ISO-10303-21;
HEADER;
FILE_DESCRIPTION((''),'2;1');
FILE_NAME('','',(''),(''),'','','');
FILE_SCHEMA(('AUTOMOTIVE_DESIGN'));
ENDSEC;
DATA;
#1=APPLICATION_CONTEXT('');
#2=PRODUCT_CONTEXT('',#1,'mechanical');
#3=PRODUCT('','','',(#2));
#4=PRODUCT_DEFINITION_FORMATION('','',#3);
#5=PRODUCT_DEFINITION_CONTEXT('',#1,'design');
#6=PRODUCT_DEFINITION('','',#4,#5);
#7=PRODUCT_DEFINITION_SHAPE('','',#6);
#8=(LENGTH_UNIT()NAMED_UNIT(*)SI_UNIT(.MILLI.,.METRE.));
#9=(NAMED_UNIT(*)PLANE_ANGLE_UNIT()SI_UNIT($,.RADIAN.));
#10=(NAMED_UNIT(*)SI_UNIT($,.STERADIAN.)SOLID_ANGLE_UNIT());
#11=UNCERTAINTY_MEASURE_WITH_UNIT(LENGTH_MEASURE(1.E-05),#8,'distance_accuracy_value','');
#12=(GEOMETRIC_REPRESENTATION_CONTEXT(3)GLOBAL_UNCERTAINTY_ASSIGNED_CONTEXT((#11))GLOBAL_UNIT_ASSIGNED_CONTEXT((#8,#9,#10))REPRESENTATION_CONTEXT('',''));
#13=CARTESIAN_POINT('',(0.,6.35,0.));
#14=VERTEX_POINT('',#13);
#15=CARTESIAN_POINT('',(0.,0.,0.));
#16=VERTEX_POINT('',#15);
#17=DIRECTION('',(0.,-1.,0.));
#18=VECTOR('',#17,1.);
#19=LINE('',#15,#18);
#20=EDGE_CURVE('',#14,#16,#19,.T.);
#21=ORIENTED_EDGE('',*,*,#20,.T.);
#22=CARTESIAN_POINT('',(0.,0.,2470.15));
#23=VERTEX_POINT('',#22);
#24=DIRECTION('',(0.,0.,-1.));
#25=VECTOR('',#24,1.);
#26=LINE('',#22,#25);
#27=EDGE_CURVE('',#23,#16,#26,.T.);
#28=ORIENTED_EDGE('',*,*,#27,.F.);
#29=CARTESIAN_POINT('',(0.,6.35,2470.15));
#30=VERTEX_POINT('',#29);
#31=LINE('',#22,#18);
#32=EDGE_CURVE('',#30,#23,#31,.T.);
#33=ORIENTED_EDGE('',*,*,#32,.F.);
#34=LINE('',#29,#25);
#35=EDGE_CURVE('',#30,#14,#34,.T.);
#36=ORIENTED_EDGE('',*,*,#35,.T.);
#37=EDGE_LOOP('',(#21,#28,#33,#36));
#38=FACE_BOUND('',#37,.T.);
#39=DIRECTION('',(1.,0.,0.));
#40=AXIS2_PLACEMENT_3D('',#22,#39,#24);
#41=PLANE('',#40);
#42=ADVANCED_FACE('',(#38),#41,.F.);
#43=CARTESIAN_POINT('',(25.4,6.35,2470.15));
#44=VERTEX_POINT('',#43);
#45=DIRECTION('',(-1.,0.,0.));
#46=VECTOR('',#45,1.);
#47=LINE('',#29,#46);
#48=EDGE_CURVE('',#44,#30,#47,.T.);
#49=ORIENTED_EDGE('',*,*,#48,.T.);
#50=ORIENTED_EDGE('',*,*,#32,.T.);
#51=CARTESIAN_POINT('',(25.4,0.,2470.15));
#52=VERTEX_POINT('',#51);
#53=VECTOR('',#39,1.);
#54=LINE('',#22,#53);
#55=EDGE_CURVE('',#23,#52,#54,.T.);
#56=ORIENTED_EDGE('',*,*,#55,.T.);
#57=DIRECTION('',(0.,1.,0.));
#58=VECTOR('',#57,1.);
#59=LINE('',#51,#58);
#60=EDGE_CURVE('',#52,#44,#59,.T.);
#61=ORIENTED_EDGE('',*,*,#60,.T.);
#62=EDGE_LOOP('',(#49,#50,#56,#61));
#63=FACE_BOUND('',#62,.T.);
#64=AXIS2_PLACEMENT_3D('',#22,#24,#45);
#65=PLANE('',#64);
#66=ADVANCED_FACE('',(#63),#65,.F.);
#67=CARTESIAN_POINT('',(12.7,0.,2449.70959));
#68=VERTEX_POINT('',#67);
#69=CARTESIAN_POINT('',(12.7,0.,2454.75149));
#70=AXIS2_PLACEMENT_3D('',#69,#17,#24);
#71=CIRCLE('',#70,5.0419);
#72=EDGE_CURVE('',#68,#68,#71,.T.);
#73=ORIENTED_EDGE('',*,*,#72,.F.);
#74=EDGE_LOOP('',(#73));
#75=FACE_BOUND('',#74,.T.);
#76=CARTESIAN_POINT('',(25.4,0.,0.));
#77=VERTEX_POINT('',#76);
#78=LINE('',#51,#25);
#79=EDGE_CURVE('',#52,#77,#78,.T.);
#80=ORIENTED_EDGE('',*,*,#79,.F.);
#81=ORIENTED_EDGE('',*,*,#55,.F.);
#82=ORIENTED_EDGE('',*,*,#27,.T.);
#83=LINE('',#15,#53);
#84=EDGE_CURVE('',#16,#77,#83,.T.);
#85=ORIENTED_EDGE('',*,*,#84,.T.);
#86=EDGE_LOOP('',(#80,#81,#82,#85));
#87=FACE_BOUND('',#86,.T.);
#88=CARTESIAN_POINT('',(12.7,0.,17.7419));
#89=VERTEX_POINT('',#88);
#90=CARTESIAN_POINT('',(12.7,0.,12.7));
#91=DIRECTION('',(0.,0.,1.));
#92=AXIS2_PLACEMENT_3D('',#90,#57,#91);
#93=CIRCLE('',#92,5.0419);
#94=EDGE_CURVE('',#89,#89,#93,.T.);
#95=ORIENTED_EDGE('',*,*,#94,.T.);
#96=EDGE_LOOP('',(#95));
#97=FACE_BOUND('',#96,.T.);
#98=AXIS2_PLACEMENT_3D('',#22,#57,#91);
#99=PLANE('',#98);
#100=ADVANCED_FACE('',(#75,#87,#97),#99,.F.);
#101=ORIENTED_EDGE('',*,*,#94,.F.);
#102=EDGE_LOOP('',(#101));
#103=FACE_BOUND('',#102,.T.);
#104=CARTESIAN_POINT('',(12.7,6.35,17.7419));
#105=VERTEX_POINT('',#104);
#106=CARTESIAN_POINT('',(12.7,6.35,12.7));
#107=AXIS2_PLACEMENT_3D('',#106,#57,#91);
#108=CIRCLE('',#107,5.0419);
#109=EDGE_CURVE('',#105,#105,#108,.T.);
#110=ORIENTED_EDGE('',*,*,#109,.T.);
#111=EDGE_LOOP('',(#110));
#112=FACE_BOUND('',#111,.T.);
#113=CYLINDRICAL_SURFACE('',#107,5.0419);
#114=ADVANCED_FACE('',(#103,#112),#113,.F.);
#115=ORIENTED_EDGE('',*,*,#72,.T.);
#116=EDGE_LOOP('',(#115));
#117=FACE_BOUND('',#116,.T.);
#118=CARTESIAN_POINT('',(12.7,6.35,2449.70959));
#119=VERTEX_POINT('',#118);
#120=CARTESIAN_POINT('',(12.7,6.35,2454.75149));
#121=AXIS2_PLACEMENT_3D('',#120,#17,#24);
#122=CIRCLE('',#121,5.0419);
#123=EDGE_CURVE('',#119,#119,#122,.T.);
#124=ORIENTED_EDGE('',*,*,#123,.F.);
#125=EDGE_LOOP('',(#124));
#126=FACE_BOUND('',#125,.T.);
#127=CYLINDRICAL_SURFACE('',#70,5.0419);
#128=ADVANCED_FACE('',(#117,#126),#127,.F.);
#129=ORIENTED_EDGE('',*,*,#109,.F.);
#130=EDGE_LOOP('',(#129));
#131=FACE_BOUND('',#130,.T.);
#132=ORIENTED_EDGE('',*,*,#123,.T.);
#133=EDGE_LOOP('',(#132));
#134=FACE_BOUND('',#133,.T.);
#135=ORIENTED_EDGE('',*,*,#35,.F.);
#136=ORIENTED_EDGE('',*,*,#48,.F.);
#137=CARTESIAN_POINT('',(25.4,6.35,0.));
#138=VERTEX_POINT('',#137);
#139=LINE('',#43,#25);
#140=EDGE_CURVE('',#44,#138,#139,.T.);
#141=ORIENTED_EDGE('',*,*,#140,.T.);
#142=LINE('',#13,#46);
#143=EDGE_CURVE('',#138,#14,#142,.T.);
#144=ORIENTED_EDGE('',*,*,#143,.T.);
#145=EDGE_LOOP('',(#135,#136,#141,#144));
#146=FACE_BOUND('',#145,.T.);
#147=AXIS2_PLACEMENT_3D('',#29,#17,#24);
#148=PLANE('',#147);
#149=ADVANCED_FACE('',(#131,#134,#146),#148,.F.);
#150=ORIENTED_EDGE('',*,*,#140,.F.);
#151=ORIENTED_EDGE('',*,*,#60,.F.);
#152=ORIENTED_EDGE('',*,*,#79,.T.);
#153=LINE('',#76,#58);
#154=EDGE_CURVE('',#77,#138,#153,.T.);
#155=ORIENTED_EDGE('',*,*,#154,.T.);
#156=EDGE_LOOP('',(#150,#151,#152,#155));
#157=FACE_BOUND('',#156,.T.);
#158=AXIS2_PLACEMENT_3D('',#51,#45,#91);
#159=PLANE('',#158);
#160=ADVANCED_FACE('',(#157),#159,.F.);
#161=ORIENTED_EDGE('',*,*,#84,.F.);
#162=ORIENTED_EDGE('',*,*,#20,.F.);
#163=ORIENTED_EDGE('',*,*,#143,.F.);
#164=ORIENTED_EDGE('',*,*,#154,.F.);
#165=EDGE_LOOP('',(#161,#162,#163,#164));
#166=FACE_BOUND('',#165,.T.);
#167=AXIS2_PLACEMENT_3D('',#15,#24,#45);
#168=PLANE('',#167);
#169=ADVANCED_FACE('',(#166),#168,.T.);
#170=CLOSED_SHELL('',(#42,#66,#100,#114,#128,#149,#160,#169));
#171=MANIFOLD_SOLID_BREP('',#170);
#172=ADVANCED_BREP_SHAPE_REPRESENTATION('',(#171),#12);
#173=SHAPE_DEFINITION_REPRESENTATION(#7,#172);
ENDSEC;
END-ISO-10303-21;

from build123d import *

# Parameters (mm, degrees)
SKETCH1_W                = 25.4
SKETCH1_H                = 6.35
BOSS_EXTRUDE1_DEPTH      = 2470.15
X_0_397_DIAMETER_HOLE1_D = 10.0838
X_0_397_DIAMETER_HOLE2_D = 10.0838


with BuildPart() as part:
    # Sketch1 → Boss-Extrude1 (new body)
    with BuildSketch(Plane.XY):
        with Locations((12.7, 3.175)):
            Rectangle(SKETCH1_W, SKETCH1_H)
    extrude(amount=BOSS_EXTRUDE1_DEPTH)

    # X (0.397) Diameter Hole1 (through all)
    with Locations(Plane(origin=(0, 6.35, 0), x_dir=(1, 0, 0), z_dir=(0, 1, 0))):
        with Locations((12.7, -12.7)):
            Hole(X_0_397_DIAMETER_HOLE1_D / 2)

    # X (0.397) Diameter Hole2 (through all)
    with Locations(Plane(origin=(0, 0, 0), x_dir=(-1, 0, 0), z_dir=(0, -1, 0))):
        with Locations((-12.7, -2454.751490121)):
            Hole(X_0_397_DIAMETER_HOLE2_D / 2)


solid = part.part
